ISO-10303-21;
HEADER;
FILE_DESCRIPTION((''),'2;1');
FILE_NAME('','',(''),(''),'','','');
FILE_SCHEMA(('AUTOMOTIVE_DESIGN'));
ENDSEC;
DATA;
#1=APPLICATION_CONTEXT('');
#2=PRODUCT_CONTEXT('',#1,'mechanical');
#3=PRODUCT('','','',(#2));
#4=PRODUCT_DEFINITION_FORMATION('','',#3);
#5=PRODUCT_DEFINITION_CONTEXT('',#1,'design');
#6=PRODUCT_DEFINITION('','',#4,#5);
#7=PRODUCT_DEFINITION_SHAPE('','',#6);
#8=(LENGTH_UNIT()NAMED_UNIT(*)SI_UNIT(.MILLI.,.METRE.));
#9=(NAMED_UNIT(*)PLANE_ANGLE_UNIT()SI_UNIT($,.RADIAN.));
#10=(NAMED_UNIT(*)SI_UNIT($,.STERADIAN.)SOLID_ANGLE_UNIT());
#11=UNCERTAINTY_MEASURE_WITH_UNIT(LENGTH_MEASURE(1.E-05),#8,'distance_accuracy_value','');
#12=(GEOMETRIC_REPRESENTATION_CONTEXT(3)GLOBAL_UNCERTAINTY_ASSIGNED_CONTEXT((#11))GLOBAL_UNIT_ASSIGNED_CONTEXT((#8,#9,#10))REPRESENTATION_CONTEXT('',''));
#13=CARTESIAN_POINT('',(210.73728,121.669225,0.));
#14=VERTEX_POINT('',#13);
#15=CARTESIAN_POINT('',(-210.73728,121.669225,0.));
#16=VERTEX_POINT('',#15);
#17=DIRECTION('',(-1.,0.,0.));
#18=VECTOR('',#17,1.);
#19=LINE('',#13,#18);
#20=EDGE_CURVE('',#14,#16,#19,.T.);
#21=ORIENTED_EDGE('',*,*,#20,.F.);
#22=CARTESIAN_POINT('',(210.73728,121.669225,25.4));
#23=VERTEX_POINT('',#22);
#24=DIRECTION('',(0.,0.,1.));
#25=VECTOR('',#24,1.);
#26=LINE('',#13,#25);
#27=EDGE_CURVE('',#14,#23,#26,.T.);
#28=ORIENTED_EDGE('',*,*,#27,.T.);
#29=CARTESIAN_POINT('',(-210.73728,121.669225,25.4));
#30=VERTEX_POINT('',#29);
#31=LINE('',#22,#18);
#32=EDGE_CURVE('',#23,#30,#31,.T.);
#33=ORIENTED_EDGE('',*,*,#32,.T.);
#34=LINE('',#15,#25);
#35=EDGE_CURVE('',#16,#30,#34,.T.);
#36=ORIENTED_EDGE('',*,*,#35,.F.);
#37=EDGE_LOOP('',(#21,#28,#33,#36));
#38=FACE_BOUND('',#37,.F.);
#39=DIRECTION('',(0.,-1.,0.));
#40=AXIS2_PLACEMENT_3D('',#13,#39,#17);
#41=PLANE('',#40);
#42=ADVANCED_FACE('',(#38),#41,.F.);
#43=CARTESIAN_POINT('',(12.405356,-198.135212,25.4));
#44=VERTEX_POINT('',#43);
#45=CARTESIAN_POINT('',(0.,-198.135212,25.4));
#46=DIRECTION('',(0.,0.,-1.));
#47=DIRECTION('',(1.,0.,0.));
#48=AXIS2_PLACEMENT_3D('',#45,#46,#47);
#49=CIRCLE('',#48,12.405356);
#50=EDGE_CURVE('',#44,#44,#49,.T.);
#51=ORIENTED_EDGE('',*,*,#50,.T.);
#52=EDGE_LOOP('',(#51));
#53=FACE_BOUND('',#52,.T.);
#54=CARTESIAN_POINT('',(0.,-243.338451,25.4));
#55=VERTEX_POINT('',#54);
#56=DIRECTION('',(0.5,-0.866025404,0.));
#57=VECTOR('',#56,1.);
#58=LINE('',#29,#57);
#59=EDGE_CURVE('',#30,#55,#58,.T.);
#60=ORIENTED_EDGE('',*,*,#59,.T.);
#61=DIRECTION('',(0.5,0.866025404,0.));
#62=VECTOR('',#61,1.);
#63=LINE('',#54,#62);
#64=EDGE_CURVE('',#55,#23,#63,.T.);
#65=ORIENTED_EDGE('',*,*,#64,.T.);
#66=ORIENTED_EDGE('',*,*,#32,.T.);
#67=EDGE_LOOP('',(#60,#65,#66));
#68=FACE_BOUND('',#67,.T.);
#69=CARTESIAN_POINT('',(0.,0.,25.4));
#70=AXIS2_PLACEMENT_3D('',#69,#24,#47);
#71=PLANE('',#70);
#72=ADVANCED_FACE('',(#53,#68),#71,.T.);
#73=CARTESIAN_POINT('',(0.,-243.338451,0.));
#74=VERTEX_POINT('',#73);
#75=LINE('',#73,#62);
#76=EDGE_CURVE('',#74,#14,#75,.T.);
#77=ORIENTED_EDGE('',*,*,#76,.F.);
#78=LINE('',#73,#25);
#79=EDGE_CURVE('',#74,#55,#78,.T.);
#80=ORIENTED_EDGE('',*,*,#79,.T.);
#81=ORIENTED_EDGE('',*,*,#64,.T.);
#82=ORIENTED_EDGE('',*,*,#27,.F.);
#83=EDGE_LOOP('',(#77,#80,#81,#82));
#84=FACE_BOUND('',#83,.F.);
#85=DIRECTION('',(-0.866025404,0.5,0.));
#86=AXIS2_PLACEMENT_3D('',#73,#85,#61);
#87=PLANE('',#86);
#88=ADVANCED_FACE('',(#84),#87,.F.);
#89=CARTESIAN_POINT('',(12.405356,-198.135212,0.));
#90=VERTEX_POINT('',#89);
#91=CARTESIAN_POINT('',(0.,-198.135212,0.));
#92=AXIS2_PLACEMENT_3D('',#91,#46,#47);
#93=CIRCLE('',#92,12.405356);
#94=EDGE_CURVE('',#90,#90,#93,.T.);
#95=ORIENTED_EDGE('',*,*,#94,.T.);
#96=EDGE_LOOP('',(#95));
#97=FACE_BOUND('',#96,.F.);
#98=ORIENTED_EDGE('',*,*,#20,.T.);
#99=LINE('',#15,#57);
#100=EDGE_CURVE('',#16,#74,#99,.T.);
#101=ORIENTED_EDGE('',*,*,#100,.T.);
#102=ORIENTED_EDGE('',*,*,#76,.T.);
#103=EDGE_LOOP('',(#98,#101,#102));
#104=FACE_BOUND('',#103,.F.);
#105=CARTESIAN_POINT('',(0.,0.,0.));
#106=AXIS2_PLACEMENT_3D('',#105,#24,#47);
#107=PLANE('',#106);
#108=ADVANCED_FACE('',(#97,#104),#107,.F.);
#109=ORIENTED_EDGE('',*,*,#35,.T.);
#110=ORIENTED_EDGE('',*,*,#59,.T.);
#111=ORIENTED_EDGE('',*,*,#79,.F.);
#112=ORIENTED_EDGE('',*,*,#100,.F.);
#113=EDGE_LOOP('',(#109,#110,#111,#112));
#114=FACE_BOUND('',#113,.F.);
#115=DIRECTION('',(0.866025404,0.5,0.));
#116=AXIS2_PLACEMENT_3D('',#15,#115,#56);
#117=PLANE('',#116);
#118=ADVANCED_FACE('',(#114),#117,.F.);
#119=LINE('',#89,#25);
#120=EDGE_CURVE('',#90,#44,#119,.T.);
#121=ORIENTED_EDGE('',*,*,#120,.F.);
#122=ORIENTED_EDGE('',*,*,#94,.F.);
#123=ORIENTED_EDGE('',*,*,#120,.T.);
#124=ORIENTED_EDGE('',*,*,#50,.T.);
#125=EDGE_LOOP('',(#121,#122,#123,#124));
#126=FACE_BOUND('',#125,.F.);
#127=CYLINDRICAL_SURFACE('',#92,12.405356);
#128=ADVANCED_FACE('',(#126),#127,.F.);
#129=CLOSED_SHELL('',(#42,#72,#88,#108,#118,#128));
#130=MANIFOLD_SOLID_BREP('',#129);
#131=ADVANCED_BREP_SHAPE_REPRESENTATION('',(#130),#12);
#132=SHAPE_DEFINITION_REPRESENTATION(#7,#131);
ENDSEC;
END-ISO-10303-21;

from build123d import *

# Parameters (mm, degrees)
F1_DEPTH = 25.4
F2_R     = 12.405356
F3_DEPTH = 25.4


with BuildPart() as f1:
    # F0 (on Top) → F1 (new body)
    with BuildSketch(Plane.XY):
        Polygon((210.73728, 121.669225), (-210.73728, 121.669225), (0, -243.338451), align=None)
    extrude(amount=F1_DEPTH)

    # F2 (on face) → F3 (cut)
    with BuildSketch(Plane(origin=(0, 0, 0), x_dir=(1, 0, 0), z_dir=(0, 0, -1))):
        with Locations((0, 198.135212)):
            Circle(F2_R)
    extrude(amount=-F3_DEPTH, mode=Mode.SUBTRACT)


solid = f1.part
